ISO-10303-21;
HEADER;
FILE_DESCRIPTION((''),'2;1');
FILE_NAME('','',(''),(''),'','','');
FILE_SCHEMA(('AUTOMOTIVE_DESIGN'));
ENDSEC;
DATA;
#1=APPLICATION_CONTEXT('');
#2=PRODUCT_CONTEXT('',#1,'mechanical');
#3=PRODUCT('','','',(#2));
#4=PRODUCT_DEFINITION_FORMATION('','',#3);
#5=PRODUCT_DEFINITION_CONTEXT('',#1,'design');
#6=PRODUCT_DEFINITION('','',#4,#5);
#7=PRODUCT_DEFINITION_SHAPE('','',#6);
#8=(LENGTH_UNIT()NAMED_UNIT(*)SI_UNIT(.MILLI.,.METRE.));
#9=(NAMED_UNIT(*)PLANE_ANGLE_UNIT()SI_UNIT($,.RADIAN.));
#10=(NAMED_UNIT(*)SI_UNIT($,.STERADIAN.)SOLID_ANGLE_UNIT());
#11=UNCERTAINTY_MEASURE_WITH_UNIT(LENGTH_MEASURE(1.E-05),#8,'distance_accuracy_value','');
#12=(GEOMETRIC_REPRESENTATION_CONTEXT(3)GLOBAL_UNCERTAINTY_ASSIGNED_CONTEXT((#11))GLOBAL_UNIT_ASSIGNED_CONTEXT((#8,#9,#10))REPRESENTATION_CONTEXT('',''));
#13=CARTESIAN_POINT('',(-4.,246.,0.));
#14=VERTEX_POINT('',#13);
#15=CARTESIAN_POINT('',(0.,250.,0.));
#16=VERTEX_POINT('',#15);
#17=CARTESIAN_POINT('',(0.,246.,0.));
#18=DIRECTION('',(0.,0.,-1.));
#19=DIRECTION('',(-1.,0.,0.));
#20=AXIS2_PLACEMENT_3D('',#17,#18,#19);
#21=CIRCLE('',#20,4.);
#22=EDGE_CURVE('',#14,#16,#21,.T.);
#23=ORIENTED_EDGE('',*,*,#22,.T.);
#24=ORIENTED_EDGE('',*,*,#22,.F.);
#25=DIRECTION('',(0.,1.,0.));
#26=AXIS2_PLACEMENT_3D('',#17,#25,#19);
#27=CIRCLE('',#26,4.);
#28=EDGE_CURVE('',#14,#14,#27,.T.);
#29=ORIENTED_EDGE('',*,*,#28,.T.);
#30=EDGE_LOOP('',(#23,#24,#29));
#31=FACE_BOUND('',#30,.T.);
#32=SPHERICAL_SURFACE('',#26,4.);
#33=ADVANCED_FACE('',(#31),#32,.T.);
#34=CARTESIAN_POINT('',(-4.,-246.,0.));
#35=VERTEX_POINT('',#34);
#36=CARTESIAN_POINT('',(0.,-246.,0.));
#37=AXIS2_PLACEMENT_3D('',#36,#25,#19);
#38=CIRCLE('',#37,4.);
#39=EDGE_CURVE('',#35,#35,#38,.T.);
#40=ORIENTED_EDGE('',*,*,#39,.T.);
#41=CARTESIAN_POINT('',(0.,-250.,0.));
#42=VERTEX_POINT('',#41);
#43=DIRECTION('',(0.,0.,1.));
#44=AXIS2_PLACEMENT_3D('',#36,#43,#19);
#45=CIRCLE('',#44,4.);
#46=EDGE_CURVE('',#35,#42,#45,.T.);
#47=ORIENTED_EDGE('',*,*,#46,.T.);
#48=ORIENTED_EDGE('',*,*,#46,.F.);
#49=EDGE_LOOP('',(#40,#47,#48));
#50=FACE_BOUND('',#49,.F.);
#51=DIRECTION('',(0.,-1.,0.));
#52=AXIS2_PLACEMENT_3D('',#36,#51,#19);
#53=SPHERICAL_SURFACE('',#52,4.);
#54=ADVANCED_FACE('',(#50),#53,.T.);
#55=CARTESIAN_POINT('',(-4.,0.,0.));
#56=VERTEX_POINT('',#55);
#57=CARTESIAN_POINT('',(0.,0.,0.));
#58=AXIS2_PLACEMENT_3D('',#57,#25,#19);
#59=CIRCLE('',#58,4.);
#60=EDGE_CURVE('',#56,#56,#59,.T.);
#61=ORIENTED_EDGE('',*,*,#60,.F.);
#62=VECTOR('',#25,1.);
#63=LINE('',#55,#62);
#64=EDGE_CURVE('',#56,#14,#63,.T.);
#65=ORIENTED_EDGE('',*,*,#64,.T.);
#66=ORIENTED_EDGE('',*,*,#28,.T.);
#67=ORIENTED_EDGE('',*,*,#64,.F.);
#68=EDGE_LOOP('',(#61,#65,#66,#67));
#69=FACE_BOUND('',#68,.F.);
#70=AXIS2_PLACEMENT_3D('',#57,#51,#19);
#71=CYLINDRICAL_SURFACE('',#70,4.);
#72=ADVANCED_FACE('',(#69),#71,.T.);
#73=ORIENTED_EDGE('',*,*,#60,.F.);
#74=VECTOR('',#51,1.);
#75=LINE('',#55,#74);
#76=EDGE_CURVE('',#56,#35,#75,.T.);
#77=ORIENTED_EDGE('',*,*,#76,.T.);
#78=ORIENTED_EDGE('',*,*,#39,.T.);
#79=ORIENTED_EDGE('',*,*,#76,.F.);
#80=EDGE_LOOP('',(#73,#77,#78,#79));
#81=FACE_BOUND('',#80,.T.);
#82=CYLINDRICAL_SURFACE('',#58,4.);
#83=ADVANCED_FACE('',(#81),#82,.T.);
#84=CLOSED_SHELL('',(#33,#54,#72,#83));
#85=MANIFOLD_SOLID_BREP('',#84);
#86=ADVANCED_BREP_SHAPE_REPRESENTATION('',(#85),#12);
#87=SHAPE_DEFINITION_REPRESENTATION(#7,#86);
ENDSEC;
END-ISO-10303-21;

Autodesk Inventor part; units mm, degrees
ref_plane "YZ Plane" through (0, 0, 0) normal (1, 0, 0) x (0, 1, 0)
ref_plane "XZ Plane" through (0, 0, 0) normal (0, 1, 0) x (-1, 0, 0)
ref_plane "XY Plane" through (0, 0, 0) normal (0, 0, 1) x (1, 0, 0)
sketch "Sketch1" plane through (0, 0, 0) normal (0, 1, 0) x (-1, 0, 0)
  circle A0 centre (0, 0) radius 4
  dimension "d1" = 8
extrude "Extrusion1" add sketch "Sketch1" along normal mid plane 500
fillet "Fillet1" radius 4 2 edges at (4, 250, 0) (4, -250, 0)
properties part number "8 mm rod (50 cm)"
